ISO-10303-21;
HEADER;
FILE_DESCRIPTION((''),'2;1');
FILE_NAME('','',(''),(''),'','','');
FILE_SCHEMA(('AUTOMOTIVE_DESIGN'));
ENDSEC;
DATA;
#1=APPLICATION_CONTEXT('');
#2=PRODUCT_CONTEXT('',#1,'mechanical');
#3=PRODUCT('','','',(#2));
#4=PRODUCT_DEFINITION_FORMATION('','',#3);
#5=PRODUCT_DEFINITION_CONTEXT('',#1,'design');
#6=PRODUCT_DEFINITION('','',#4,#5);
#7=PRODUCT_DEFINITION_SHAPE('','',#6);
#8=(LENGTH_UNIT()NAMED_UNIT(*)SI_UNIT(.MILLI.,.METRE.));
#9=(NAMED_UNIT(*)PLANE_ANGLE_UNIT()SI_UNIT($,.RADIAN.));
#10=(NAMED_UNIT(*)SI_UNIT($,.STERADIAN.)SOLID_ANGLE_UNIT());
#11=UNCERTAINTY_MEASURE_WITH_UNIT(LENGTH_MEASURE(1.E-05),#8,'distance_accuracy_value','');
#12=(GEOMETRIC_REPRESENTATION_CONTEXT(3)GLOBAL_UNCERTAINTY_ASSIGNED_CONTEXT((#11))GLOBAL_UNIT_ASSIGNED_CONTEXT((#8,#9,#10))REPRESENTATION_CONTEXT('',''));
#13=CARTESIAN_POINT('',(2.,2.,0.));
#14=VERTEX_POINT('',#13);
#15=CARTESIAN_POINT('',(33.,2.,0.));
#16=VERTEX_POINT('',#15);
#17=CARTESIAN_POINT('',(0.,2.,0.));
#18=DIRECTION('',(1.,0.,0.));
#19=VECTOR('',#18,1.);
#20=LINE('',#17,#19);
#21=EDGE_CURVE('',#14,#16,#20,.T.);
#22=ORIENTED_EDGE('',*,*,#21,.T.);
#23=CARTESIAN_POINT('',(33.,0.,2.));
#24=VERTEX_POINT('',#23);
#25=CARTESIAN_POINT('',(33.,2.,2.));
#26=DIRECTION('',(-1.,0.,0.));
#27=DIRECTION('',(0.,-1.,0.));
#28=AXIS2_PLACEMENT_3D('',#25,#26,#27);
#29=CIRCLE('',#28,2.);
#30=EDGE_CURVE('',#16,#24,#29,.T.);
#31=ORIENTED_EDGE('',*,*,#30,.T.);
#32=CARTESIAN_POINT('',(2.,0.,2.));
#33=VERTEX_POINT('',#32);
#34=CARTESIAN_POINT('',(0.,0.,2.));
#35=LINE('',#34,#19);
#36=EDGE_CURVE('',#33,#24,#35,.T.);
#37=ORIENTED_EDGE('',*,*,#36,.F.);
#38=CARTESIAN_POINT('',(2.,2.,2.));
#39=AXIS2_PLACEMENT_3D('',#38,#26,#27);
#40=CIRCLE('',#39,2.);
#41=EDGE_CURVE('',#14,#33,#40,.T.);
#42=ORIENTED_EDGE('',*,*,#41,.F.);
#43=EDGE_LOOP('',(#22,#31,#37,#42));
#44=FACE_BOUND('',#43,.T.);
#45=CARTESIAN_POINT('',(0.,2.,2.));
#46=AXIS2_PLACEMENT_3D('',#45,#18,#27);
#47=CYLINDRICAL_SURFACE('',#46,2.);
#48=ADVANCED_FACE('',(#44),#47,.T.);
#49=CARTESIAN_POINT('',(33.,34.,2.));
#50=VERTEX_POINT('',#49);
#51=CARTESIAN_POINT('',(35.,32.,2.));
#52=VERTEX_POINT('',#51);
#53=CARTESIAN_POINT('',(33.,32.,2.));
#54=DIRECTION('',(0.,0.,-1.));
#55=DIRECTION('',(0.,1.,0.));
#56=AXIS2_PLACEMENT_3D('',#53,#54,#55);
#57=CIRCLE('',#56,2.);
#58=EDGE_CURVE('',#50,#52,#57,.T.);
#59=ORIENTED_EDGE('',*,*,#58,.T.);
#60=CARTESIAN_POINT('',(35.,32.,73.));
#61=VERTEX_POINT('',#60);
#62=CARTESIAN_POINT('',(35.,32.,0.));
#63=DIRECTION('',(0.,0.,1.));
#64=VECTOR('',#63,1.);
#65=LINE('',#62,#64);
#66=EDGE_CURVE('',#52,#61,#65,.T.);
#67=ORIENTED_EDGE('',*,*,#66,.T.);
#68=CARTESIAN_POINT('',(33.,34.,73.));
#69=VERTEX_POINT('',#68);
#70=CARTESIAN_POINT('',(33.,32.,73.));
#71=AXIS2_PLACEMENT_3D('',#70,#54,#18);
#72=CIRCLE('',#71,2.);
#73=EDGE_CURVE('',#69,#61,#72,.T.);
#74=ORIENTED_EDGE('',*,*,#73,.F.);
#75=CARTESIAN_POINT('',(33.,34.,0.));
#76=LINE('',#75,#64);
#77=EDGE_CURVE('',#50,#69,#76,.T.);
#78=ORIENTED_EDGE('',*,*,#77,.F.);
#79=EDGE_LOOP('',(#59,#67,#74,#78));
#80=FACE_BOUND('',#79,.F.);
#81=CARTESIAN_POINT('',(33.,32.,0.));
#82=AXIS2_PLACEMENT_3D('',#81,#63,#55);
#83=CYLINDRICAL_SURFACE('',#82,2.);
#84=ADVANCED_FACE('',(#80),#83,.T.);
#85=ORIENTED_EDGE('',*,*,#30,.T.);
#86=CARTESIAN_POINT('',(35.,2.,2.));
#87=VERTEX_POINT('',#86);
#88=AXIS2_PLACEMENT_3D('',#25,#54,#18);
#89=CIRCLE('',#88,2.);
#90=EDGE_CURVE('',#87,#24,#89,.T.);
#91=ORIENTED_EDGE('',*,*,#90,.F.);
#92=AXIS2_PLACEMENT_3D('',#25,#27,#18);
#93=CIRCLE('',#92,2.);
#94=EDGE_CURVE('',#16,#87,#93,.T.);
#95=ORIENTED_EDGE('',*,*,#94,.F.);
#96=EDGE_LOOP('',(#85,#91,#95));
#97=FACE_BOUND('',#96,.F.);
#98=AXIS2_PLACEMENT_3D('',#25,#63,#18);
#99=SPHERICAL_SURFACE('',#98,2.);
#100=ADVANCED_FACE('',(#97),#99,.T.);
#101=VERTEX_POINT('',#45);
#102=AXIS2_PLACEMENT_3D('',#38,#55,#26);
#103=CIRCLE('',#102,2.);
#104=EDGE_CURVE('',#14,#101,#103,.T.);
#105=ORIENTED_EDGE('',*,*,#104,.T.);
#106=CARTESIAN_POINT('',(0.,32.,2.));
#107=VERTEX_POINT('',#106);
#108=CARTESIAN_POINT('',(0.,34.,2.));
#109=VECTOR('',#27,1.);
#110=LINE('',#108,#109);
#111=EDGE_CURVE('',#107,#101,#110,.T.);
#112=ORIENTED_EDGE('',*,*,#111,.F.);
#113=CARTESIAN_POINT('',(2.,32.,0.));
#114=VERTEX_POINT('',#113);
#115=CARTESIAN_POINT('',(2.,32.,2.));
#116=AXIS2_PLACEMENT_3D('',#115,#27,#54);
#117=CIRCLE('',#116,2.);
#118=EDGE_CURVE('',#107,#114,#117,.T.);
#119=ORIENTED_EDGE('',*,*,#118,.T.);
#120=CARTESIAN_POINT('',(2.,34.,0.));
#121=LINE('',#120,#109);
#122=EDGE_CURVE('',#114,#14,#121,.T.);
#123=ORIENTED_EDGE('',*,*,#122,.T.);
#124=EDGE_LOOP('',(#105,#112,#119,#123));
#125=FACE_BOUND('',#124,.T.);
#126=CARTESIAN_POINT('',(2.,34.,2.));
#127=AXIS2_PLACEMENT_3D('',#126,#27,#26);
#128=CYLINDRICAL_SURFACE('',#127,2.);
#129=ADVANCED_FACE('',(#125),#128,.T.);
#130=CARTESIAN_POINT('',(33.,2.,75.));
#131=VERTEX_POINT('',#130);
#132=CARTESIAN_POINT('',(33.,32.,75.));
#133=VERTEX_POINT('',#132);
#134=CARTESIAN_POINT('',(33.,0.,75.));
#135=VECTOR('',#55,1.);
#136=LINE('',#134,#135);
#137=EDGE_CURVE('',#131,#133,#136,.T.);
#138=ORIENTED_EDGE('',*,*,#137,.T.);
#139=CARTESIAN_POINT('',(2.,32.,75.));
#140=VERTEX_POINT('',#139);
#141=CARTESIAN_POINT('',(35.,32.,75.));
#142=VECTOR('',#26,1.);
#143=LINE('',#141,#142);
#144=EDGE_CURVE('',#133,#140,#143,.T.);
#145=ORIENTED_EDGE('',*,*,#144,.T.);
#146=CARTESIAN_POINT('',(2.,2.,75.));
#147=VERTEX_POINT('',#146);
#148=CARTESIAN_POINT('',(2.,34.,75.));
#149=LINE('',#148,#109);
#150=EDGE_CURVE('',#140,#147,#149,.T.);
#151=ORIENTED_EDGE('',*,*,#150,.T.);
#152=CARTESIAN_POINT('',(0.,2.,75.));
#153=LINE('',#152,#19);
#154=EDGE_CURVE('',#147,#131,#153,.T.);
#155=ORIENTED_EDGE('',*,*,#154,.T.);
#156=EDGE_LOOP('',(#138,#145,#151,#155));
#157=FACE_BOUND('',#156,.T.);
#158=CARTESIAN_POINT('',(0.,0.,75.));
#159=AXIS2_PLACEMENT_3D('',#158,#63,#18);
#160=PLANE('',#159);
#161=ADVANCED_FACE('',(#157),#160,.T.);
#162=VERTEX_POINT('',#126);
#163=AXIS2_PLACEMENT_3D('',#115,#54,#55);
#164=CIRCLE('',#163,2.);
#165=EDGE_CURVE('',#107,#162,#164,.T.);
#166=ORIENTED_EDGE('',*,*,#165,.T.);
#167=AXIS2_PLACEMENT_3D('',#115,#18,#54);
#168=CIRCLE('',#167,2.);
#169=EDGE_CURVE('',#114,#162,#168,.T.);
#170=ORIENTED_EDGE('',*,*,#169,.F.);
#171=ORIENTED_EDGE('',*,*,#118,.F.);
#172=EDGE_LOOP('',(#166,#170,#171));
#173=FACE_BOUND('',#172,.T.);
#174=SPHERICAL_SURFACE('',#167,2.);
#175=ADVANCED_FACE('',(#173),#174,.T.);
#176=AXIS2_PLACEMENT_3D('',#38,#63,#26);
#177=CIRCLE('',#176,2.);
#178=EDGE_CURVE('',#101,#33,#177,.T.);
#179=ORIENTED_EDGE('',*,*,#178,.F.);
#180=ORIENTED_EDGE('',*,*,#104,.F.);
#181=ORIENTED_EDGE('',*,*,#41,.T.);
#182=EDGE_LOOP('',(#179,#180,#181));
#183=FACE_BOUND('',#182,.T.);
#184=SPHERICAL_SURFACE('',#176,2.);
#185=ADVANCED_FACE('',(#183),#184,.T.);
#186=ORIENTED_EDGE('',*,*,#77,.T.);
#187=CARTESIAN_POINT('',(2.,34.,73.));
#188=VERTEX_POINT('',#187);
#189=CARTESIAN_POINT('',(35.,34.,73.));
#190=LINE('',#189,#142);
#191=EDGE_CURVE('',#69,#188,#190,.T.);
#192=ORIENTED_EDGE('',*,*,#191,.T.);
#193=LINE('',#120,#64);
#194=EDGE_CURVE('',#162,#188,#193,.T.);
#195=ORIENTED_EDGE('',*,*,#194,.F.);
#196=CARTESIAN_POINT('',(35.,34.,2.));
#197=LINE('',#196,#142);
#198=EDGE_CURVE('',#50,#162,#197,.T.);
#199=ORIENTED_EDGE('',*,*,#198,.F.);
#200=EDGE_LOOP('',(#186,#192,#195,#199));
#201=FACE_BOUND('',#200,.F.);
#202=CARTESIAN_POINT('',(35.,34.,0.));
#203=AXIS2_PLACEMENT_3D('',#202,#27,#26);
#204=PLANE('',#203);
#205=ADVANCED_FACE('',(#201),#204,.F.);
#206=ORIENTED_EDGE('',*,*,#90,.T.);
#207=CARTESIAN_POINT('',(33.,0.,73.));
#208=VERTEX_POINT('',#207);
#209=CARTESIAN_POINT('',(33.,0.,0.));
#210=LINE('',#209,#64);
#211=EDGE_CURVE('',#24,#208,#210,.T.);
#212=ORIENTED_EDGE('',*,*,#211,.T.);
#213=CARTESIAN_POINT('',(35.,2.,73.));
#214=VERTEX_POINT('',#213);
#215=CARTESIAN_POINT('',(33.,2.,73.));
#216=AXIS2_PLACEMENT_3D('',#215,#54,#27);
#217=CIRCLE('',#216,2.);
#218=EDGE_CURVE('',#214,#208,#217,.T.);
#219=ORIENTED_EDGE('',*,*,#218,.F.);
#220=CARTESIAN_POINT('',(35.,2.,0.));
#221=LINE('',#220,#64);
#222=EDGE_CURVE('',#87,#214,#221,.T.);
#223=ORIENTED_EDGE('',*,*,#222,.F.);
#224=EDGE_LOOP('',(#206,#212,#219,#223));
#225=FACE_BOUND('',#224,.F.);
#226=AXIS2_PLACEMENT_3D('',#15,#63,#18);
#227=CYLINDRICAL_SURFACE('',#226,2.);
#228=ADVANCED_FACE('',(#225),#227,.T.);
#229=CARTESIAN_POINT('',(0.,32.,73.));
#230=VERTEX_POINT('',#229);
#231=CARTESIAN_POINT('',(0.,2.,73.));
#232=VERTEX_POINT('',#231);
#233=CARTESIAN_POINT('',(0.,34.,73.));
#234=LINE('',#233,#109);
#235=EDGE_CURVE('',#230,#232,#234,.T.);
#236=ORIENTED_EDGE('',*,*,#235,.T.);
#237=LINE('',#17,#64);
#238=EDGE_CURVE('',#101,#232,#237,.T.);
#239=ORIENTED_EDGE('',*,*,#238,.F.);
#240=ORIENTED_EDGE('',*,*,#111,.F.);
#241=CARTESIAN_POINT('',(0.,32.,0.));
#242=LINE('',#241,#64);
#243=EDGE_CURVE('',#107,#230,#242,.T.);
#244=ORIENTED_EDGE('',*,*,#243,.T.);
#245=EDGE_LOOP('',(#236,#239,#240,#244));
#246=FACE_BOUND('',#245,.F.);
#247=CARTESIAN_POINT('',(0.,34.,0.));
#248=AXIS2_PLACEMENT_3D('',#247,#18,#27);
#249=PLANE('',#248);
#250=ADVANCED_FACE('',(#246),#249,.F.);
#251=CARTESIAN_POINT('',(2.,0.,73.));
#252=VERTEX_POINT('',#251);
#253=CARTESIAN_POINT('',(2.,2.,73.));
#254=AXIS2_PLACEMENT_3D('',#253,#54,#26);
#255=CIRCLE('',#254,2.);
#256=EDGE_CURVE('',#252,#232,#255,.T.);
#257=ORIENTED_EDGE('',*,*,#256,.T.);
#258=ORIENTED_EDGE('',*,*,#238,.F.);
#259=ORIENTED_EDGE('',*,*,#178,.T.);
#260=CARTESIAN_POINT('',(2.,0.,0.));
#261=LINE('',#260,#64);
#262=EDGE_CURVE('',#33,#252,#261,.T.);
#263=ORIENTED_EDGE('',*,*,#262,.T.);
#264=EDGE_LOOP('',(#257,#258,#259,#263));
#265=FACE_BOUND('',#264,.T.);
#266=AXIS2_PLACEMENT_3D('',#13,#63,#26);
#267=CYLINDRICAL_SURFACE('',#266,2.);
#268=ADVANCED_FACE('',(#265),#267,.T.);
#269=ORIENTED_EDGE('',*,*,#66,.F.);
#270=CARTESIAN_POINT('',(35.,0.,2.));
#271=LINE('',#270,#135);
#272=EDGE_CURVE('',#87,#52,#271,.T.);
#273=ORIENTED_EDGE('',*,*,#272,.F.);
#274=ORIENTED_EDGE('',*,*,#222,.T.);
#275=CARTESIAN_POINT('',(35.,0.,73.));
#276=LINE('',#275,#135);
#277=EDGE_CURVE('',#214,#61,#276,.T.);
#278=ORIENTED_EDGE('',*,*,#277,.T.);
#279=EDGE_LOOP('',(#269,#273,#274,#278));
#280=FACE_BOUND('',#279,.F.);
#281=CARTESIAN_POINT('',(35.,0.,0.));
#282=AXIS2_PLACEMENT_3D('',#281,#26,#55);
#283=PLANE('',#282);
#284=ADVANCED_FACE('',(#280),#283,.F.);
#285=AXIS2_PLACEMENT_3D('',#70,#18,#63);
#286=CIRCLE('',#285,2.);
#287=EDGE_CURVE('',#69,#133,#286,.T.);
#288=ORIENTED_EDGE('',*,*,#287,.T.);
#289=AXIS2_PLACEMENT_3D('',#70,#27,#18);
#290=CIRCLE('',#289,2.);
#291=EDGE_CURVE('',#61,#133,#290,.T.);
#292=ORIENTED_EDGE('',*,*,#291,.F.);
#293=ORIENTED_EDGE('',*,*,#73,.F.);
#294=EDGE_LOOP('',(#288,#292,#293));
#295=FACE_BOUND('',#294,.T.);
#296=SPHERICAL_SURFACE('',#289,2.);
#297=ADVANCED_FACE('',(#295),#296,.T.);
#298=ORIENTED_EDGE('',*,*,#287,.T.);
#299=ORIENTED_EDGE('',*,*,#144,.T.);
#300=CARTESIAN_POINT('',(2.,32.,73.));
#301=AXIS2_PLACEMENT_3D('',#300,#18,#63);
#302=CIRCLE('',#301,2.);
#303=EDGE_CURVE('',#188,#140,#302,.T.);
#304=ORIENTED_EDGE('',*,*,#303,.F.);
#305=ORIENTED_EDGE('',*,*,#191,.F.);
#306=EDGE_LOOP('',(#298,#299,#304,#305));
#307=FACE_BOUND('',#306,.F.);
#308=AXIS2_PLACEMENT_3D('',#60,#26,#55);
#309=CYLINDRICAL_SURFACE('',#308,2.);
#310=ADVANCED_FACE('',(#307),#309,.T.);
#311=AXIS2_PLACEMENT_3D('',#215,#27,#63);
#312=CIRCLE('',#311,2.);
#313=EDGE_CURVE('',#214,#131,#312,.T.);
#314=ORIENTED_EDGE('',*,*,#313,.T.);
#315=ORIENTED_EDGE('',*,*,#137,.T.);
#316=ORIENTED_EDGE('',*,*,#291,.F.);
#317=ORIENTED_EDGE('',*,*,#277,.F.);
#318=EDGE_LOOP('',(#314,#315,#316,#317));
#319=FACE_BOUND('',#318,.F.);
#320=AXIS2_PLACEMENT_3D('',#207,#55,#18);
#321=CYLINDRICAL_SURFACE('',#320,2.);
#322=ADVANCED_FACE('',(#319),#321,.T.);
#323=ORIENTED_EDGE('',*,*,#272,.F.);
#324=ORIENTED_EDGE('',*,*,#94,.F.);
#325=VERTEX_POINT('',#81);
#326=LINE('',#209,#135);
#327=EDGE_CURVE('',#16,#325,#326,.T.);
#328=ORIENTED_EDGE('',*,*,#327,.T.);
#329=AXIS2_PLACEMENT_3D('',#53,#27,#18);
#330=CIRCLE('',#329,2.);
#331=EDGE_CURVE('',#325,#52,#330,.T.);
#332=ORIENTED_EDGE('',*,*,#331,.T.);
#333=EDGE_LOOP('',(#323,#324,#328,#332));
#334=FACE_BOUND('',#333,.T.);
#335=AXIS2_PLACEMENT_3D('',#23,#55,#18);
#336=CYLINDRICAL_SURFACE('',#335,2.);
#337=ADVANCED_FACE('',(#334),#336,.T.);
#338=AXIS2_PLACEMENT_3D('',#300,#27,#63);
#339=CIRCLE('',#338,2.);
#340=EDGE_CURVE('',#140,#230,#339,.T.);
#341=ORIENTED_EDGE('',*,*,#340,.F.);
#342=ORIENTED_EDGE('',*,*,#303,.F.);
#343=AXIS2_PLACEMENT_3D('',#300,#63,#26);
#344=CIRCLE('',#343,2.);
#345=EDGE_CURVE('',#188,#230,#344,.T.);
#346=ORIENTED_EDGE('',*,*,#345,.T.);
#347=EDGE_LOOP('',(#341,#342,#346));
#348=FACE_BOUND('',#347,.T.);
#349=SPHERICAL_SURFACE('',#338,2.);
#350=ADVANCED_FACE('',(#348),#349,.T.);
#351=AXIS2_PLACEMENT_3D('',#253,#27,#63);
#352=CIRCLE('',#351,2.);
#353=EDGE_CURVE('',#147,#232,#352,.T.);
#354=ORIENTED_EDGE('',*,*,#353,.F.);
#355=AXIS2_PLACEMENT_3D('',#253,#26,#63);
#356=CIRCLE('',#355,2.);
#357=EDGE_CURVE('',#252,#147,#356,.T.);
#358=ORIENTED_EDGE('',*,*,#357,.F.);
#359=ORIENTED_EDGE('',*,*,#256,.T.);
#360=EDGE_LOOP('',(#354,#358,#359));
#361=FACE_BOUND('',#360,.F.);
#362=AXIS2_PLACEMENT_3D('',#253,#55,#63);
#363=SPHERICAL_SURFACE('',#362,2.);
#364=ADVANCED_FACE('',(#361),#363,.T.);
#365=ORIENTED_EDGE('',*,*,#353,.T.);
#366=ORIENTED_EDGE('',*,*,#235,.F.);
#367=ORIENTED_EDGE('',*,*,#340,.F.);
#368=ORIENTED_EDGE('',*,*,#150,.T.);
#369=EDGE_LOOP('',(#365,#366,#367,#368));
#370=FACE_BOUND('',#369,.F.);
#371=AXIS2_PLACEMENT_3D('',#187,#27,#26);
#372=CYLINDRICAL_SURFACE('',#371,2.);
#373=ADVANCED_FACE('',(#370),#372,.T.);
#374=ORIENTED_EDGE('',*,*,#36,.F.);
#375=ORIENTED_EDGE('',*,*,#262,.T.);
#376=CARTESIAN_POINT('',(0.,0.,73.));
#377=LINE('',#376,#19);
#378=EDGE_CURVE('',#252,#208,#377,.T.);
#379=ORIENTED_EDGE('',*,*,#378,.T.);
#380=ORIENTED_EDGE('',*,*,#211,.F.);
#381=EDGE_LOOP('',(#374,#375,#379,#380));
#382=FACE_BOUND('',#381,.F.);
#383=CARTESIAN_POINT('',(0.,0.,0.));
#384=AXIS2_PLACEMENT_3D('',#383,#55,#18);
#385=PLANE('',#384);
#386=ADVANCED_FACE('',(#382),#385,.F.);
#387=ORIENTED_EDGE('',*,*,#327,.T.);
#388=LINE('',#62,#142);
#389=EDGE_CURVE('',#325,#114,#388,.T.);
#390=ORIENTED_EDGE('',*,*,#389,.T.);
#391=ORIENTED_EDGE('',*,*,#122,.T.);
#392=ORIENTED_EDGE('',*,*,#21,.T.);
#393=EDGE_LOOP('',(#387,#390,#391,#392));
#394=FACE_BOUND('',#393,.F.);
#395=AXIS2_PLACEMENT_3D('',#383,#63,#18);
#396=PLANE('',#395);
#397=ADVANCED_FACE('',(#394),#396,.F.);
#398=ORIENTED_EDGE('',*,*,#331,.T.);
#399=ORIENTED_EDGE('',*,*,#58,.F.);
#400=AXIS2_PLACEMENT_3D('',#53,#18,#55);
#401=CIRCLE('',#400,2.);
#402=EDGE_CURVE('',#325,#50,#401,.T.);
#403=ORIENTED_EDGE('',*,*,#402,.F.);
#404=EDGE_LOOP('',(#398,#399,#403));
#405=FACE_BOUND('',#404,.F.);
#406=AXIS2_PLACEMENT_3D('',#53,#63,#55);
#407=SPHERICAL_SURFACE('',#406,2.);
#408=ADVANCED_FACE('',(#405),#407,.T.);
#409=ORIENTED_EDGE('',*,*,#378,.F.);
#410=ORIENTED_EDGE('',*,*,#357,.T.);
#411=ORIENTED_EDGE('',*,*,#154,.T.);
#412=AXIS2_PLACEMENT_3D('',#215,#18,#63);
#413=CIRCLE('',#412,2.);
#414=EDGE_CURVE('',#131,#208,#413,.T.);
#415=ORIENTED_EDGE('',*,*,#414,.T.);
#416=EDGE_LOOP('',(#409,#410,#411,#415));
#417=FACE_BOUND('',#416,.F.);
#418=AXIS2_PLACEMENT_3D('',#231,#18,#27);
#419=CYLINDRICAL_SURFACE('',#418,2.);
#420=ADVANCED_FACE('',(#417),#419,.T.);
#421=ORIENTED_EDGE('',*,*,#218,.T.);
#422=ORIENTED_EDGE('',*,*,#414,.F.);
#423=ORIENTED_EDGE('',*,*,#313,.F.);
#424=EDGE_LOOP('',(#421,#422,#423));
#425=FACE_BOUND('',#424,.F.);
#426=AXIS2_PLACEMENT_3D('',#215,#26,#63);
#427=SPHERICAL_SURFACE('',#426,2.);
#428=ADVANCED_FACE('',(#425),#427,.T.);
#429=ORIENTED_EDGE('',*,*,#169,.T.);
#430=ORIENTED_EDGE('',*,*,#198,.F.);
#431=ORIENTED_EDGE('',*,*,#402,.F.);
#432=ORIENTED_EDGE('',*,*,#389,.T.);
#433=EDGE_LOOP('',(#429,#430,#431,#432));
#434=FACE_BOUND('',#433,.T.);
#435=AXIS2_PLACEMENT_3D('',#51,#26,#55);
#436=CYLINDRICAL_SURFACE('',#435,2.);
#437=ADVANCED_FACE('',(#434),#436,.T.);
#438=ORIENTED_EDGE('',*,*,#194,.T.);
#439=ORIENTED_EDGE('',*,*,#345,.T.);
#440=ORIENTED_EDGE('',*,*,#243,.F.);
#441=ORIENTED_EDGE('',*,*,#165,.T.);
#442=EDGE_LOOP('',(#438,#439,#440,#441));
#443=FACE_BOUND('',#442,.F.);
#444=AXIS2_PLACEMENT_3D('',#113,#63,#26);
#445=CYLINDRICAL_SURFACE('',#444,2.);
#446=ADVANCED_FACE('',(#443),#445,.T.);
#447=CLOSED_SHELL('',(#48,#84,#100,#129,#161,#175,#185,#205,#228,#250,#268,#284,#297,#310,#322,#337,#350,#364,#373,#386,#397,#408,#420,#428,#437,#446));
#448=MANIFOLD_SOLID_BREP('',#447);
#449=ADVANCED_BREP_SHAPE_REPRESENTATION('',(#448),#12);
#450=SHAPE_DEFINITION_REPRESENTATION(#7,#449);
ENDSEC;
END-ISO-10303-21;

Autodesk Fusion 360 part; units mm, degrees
sketch "Sketch1" plane through (0, 0, 0) normal (0, 0, 1) x (1, 0, 0)
  line L0 (0, 0) -> (35, 0)
  line L1 (35, 0) -> (35, 34)
  line L2 (35, 34) -> (0, 34)
  line L3 (0, 34) -> (0, 0)
  dimension "d1" = 35
  dimension "d2" = 34
extrude "Extrude1" add sketch "Sketch1" along normal blind 75
fillet "Fillet1" radius 2 12 edges at (0, 17, 75) (17.5, 0, 75) (0, 0, 37.5) (35, 17, 75) (35, 34, 37.5) (17.5, 34, 0) (35, 0, 37.5) (17.5, 34, 75) (0, 17, 0) (35, 17, 0) (0, 34, 37.5) (17.5, 0, 0) 6 faces at (11.6667, 22.6667, 0) (0, 22.6667, 50) (23.3333, 34, 25) (11.6667, 0, 25) (11.6667, 22.6667, 75) (35, 11.3333, 50)
